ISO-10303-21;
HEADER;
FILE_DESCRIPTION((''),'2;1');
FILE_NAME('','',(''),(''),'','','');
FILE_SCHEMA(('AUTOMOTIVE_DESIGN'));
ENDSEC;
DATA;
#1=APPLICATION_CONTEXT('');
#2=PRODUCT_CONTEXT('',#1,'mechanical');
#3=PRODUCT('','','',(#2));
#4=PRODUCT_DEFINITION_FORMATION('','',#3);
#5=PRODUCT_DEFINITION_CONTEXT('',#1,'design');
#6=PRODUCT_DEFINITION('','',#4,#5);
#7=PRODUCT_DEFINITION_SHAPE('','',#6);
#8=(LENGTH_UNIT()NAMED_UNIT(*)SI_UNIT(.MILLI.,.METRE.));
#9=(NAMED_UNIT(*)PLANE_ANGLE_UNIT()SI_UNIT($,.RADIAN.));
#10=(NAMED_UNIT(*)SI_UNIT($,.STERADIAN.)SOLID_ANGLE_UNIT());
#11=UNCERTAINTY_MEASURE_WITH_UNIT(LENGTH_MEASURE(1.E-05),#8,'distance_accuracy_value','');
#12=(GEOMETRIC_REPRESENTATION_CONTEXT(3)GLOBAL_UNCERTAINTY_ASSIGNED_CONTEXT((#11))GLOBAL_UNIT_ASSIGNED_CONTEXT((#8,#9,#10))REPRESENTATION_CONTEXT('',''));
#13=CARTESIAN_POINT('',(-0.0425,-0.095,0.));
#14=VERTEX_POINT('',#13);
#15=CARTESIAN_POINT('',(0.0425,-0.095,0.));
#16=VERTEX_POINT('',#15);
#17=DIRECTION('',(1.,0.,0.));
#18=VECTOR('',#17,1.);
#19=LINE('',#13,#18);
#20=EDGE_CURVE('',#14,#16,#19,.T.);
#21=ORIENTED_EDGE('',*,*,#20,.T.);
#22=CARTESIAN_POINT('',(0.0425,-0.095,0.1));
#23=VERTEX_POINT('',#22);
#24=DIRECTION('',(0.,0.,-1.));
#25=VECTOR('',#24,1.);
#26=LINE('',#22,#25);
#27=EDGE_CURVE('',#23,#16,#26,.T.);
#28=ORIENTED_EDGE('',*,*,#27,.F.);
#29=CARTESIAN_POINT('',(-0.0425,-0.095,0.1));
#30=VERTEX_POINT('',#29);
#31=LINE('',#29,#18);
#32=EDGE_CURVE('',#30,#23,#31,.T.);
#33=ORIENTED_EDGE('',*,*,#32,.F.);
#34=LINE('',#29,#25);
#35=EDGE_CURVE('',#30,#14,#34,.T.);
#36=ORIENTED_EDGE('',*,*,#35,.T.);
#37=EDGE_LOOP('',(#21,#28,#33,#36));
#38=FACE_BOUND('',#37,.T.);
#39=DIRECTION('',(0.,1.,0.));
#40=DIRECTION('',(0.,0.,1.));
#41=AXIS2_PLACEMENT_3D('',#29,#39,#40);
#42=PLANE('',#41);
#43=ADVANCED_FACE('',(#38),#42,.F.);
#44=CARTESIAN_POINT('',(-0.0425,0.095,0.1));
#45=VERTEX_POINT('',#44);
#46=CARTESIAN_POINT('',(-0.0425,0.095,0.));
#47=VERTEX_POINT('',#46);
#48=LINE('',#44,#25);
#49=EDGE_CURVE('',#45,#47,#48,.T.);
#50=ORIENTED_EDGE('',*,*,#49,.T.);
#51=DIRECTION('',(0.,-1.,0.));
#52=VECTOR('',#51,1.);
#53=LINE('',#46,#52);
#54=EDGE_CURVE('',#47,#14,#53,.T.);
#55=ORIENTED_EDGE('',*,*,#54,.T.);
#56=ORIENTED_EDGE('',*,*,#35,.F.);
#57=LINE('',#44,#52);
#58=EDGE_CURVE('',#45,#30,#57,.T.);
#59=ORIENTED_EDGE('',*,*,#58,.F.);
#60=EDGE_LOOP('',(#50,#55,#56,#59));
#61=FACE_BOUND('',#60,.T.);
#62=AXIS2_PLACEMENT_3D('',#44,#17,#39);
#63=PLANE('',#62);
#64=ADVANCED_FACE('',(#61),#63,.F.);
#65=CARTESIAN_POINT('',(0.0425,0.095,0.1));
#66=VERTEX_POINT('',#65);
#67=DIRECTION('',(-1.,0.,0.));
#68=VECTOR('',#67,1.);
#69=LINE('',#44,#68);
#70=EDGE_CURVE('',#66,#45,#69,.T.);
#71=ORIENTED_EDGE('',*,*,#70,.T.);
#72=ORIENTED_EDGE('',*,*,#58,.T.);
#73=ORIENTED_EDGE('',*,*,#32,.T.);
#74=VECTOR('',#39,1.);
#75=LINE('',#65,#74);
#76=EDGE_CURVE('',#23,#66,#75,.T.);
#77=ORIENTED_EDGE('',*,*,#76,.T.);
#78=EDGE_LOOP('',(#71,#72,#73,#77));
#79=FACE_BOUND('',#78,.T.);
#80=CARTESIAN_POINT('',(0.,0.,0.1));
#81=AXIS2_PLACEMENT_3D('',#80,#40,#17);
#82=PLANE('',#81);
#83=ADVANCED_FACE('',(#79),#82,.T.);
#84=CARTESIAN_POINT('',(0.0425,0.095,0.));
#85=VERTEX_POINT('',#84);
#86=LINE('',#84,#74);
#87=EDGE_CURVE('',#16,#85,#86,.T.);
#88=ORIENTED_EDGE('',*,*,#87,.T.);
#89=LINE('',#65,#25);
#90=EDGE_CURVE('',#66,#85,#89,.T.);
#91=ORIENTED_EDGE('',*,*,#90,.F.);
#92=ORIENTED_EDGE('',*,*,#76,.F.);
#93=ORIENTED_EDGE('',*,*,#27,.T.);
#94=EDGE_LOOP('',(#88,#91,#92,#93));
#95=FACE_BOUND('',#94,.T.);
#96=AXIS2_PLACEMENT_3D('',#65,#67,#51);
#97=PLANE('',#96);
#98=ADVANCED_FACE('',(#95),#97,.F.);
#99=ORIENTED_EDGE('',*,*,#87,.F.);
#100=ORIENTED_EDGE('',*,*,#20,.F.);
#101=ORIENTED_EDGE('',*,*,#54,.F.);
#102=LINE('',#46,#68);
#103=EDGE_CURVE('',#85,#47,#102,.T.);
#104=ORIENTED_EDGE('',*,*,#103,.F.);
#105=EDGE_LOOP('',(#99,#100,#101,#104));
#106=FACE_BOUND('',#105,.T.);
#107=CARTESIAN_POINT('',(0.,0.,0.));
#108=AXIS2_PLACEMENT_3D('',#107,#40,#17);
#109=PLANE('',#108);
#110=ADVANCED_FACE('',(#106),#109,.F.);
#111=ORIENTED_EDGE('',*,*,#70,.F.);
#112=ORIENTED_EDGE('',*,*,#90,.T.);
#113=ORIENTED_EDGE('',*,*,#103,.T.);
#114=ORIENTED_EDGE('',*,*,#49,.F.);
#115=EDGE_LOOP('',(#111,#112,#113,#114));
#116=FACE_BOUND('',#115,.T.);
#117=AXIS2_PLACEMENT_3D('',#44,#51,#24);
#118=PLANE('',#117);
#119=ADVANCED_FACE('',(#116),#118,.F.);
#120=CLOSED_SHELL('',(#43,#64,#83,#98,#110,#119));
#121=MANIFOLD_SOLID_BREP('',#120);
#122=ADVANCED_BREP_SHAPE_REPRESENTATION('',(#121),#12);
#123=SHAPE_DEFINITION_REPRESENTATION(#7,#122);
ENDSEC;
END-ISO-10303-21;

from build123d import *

# Parameters (mm, degrees)
SKETCH_2_W      = 0.085
SKETCH_2_H      = 0.19
EXTRUDE_1_DEPTH = 0.1


with BuildPart() as part:
    # 草图2 → 凸台-拉伸1 (new body)
    with BuildSketch(Plane.XY):
        Rectangle(SKETCH_2_W, SKETCH_2_H)
    extrude(amount=EXTRUDE_1_DEPTH)


solid = part.part
